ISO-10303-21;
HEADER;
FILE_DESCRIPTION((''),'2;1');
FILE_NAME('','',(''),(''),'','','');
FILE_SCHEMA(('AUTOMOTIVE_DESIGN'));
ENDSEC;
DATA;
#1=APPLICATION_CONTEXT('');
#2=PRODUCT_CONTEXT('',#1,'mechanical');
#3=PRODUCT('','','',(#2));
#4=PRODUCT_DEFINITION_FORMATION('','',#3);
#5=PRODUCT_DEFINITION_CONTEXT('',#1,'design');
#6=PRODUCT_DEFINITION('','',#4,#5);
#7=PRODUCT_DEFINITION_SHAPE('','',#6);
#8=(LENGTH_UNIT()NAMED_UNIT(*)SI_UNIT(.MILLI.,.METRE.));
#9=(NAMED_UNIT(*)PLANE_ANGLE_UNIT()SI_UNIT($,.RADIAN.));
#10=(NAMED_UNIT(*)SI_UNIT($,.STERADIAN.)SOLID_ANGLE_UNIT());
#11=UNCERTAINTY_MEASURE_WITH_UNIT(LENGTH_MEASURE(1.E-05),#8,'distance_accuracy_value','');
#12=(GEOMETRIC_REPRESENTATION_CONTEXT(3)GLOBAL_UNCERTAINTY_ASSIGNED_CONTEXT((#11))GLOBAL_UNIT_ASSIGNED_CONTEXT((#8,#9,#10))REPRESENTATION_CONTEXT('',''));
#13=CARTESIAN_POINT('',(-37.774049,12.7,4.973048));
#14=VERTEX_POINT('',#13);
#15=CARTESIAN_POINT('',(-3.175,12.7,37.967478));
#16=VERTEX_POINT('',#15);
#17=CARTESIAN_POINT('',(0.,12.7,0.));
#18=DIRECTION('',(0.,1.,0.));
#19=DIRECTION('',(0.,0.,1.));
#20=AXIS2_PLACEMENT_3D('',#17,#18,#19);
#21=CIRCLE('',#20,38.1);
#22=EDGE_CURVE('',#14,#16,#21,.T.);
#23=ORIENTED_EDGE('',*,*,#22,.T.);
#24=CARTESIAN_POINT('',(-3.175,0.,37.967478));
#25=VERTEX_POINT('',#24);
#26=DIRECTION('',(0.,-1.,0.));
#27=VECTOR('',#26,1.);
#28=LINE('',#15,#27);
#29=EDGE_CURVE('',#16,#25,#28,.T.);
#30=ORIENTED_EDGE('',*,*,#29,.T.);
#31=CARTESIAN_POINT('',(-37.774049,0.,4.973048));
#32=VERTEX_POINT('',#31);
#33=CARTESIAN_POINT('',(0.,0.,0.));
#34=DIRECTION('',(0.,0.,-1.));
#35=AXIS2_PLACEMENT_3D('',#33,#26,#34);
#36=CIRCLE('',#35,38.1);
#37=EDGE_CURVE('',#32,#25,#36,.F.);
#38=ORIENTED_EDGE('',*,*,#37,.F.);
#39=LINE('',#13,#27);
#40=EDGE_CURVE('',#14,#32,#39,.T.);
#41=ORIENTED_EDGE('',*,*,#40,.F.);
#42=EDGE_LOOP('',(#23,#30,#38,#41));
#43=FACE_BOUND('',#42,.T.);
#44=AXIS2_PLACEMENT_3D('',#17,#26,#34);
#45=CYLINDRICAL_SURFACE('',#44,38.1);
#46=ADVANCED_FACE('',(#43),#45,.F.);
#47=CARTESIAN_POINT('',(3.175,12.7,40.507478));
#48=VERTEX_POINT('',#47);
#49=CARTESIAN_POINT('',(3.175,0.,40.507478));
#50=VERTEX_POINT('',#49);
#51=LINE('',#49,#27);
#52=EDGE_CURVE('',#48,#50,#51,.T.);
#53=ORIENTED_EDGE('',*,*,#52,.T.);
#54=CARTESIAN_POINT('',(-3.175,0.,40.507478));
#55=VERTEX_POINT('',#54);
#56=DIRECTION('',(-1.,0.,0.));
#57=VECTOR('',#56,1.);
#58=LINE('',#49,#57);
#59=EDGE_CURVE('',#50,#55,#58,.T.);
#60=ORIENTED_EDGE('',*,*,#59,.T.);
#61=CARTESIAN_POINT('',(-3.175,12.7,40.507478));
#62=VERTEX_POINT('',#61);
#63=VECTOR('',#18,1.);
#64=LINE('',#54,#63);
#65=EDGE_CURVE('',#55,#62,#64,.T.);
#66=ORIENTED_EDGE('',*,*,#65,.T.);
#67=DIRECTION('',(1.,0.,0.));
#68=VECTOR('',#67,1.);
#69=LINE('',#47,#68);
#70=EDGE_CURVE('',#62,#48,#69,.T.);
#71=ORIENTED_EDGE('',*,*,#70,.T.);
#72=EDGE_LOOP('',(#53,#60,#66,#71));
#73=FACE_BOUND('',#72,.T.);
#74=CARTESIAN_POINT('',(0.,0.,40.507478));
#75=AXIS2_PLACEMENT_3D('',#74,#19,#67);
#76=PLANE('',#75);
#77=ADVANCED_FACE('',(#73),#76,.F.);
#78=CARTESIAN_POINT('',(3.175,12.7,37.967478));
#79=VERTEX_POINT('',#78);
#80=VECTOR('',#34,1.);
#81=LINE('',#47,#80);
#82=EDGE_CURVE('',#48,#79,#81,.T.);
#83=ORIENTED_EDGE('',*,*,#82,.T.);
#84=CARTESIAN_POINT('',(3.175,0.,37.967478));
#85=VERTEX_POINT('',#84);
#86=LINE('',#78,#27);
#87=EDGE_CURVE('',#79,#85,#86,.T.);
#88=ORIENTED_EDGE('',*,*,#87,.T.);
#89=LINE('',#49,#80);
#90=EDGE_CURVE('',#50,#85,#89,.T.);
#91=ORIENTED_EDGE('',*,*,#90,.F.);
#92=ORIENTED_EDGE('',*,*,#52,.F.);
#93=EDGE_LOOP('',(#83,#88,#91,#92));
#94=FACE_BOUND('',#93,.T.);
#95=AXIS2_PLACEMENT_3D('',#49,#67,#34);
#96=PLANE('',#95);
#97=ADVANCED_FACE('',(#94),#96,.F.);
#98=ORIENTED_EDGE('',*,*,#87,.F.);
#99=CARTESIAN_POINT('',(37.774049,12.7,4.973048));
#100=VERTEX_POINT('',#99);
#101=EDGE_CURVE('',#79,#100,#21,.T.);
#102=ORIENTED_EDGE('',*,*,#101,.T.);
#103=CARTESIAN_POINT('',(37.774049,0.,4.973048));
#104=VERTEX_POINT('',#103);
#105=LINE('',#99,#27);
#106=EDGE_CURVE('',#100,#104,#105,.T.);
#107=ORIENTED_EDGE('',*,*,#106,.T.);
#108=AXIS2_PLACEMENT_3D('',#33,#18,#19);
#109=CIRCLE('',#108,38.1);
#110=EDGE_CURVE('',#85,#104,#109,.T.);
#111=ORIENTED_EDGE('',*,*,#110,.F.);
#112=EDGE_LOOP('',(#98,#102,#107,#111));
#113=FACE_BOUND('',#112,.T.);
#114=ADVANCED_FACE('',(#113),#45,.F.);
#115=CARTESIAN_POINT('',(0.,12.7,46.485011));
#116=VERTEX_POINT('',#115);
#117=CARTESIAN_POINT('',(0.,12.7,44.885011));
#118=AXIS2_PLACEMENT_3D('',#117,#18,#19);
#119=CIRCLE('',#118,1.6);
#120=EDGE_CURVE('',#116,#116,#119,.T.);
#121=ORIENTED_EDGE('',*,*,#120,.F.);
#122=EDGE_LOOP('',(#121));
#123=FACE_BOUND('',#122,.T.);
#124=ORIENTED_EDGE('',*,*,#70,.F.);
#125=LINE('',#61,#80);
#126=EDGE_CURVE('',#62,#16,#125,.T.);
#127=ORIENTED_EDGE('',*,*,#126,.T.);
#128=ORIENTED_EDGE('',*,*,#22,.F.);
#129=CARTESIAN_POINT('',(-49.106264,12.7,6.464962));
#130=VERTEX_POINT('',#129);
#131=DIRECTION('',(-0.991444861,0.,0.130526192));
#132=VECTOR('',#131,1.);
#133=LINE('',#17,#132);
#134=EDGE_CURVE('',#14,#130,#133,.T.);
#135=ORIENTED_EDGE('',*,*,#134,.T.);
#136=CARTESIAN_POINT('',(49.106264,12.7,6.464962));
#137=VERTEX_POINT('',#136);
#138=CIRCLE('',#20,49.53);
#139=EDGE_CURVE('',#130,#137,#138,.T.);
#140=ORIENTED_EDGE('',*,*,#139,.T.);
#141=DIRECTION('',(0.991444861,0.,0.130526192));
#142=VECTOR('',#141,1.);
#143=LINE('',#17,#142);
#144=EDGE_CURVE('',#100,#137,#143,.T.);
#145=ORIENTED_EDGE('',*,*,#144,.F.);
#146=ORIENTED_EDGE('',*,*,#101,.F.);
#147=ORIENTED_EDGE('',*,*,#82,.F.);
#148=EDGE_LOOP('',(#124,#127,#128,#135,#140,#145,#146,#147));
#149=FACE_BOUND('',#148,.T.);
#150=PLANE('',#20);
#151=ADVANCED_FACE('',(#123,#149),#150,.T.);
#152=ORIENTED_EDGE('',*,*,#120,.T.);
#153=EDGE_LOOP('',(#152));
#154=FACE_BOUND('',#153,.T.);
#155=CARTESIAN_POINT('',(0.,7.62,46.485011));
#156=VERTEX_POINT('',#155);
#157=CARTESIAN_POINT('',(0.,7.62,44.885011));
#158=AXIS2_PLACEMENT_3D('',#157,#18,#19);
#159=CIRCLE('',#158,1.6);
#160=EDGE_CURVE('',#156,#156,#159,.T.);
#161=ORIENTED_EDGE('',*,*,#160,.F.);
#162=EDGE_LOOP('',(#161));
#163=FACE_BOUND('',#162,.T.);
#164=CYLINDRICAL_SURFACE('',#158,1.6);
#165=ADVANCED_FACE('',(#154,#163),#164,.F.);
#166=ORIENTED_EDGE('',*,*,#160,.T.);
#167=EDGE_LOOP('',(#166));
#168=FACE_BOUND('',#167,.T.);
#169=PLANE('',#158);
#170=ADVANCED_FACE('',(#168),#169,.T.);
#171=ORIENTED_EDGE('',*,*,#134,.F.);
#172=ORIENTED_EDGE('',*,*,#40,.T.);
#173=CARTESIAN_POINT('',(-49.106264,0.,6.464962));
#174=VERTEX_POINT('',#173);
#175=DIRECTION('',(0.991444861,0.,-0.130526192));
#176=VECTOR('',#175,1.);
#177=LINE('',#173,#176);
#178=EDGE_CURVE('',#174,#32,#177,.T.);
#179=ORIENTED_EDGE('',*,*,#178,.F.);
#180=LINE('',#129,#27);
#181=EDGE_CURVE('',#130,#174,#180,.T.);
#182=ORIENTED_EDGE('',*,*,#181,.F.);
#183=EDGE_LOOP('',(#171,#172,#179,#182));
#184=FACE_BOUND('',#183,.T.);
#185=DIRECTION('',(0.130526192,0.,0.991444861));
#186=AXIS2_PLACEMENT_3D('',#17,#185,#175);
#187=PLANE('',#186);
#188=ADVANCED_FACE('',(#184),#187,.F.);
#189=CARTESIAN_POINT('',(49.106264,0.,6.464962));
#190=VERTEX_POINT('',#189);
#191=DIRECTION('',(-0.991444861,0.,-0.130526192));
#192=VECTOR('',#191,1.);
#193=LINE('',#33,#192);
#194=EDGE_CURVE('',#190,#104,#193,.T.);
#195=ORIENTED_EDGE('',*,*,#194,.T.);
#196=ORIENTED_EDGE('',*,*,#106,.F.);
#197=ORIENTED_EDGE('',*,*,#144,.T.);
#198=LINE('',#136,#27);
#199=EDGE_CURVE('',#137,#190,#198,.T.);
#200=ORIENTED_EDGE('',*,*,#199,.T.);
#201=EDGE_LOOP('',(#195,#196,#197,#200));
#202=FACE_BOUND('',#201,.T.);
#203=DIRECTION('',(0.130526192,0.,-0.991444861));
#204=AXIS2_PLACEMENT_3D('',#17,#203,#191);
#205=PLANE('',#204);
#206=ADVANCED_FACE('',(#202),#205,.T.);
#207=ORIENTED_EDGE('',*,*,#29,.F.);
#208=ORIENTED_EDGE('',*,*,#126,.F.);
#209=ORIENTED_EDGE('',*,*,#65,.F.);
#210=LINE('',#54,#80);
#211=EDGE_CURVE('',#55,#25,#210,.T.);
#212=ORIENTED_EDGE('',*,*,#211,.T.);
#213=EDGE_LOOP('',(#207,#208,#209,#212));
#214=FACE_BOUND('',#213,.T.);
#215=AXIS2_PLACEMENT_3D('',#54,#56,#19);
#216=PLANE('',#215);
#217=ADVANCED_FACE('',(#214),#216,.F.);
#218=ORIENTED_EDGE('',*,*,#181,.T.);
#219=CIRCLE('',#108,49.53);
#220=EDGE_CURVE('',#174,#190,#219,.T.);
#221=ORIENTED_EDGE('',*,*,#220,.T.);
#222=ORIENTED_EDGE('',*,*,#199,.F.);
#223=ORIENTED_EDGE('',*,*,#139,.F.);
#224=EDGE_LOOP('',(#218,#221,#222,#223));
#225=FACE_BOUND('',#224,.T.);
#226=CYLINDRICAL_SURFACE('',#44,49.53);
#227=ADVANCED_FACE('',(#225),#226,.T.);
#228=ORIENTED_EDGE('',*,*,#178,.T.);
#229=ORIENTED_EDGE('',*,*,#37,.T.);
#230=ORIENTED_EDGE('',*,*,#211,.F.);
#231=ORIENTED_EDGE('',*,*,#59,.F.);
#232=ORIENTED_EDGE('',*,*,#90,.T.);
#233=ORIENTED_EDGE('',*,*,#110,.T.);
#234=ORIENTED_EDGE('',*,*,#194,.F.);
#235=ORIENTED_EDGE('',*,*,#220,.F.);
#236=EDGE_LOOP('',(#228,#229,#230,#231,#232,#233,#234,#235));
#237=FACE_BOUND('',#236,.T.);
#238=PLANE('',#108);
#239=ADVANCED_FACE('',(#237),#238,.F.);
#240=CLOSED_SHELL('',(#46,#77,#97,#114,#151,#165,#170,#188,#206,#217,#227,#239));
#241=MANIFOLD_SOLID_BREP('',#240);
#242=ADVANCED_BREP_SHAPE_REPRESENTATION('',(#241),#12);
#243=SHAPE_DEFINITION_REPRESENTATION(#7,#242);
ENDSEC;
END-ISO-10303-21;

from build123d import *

# Parameters (mm, degrees)
SKETCH1_R               = 49.53
SKETCH1_R_2             = 38.1
BOSS_EXTRUDE1_DEPTH     = 12.7
CUT_EXTRUDE1_DEPTH      = 72.188003203
CUT_EXTRUDE1_DEPTH_BACK = 72.188003203
SKETCH8_W               = 6.35
SKETCH8_H               = 75.934955718
CUT_EXTRUDE3_DEPTH      = 71.893836562
SKETCH9_W               = 6.35
SKETCH9_H               = 12.7
CUT_EXTRUDE4_DEPTH      = 2.54
SKETCH10_R              = 1.6
CUT_EXTRUDE5_DEPTH      = 5.08


with BuildPart() as part:
    # Sketch1 → Boss-Extrude1 (new body)
    # profile 1 of 2: a face of its own
    with BuildSketch(Plane(origin=(0, 0, 0), x_dir=(1, 0, 0), z_dir=(0, 1, 0))):
        with Locations(Location((0, 0, 0), (0, 0, 270))):
            Circle(SKETCH1_R)
        Circle(SKETCH1_R_2, mode=Mode.SUBTRACT)
    # profile 2 of 2: a face of its own
    with BuildSketch(Plane(origin=(0, 0, 0), x_dir=(1, 0, 0), z_dir=(0, 1, 0))):
        with BuildLine():
            Line((-3.175, 37.967477859), (-3.175, -37.967477859))
            ThreePointArc((-3.175, -37.967477859), (0, -38.1), (3.175, -37.967477859))
            Line((3.175, -37.967477859), (3.175, 37.967477859))
            ThreePointArc((3.175, 37.967477859), (0, 38.1), (-3.175, 37.967477859))
        make_face()
    extrude(amount=BOSS_EXTRUDE1_DEPTH)

    # Sketch7 → Cut-Extrude1 (cut, two sides: drawn at the far end of the back side and taken through both)
    with BuildSketch(Plane.XZ.offset(-CUT_EXTRUDE1_DEPTH_BACK)):
        with BuildLine():
            Line((-49.106263984, -6.464962301), (-37.774049218, -4.973047924))
            ThreePointArc((-37.774049218, -4.973047924), (-38.1, 0), (-37.774049218, 4.973047924))
            Line((-37.774049218, 4.973047924), (-49.106263984, 6.464962301))
            ThreePointArc((-49.106263984, 6.464962301), (-49.53, 0), (-49.106263984, -6.464962301))
        make_face()
        with BuildLine():
            Line((49.106263984, 6.464962301), (37.774049218, 4.973047924))
            ThreePointArc((37.774049218, 4.973047924), (38.1, 0), (37.774049218, -4.973047924))
            Line((37.774049218, -4.973047924), (49.106263984, -6.464962301))
            ThreePointArc((49.106263984, -6.464962301), (49.53, 0), (49.106263984, 6.464962301))
        make_face()
    extrude(amount=CUT_EXTRUDE1_DEPTH + CUT_EXTRUDE1_DEPTH_BACK, mode=Mode.SUBTRACT)

    # Sketch8 → Cut-Extrude3 (cut, through all)
    with BuildSketch(Plane(origin=(0, 12.7, 0), x_dir=(1, 0, 0), z_dir=(0, 1, 0))):
        Rectangle(SKETCH8_W, SKETCH8_H)
    extrude(amount=-CUT_EXTRUDE3_DEPTH, mode=Mode.SUBTRACT)


with BuildPart() as body_2:
    # of the pieces the cut leaves, the one that is kept (cut_extrude3_keep)
    add(part.part.solids().sort_by_distance((-49.106263984, 0, 6.464962301))[0])

    # Sketch9 → Cut-Extrude4 (cut)
    with BuildSketch(Plane(origin=(0, 0, 37.967477859), x_dir=(-1, 0, 0), z_dir=(0, 0, -1))):
        with Locations((0, 6.35)):
            Rectangle(SKETCH9_W, SKETCH9_H)
    extrude(amount=-CUT_EXTRUDE4_DEPTH, mode=Mode.SUBTRACT)

    # Sketch10 → Cut-Extrude5 (cut)
    with BuildSketch(Plane(origin=(0, 12.7, 0), x_dir=(1, 0, 0), z_dir=(0, 1, 0))):
        with Locations(Location((0, -44.885010743, 0), (0, 0, 270))):
            Circle(SKETCH10_R)
    extrude(amount=-CUT_EXTRUDE5_DEPTH, mode=Mode.SUBTRACT)


solid = body_2.part
